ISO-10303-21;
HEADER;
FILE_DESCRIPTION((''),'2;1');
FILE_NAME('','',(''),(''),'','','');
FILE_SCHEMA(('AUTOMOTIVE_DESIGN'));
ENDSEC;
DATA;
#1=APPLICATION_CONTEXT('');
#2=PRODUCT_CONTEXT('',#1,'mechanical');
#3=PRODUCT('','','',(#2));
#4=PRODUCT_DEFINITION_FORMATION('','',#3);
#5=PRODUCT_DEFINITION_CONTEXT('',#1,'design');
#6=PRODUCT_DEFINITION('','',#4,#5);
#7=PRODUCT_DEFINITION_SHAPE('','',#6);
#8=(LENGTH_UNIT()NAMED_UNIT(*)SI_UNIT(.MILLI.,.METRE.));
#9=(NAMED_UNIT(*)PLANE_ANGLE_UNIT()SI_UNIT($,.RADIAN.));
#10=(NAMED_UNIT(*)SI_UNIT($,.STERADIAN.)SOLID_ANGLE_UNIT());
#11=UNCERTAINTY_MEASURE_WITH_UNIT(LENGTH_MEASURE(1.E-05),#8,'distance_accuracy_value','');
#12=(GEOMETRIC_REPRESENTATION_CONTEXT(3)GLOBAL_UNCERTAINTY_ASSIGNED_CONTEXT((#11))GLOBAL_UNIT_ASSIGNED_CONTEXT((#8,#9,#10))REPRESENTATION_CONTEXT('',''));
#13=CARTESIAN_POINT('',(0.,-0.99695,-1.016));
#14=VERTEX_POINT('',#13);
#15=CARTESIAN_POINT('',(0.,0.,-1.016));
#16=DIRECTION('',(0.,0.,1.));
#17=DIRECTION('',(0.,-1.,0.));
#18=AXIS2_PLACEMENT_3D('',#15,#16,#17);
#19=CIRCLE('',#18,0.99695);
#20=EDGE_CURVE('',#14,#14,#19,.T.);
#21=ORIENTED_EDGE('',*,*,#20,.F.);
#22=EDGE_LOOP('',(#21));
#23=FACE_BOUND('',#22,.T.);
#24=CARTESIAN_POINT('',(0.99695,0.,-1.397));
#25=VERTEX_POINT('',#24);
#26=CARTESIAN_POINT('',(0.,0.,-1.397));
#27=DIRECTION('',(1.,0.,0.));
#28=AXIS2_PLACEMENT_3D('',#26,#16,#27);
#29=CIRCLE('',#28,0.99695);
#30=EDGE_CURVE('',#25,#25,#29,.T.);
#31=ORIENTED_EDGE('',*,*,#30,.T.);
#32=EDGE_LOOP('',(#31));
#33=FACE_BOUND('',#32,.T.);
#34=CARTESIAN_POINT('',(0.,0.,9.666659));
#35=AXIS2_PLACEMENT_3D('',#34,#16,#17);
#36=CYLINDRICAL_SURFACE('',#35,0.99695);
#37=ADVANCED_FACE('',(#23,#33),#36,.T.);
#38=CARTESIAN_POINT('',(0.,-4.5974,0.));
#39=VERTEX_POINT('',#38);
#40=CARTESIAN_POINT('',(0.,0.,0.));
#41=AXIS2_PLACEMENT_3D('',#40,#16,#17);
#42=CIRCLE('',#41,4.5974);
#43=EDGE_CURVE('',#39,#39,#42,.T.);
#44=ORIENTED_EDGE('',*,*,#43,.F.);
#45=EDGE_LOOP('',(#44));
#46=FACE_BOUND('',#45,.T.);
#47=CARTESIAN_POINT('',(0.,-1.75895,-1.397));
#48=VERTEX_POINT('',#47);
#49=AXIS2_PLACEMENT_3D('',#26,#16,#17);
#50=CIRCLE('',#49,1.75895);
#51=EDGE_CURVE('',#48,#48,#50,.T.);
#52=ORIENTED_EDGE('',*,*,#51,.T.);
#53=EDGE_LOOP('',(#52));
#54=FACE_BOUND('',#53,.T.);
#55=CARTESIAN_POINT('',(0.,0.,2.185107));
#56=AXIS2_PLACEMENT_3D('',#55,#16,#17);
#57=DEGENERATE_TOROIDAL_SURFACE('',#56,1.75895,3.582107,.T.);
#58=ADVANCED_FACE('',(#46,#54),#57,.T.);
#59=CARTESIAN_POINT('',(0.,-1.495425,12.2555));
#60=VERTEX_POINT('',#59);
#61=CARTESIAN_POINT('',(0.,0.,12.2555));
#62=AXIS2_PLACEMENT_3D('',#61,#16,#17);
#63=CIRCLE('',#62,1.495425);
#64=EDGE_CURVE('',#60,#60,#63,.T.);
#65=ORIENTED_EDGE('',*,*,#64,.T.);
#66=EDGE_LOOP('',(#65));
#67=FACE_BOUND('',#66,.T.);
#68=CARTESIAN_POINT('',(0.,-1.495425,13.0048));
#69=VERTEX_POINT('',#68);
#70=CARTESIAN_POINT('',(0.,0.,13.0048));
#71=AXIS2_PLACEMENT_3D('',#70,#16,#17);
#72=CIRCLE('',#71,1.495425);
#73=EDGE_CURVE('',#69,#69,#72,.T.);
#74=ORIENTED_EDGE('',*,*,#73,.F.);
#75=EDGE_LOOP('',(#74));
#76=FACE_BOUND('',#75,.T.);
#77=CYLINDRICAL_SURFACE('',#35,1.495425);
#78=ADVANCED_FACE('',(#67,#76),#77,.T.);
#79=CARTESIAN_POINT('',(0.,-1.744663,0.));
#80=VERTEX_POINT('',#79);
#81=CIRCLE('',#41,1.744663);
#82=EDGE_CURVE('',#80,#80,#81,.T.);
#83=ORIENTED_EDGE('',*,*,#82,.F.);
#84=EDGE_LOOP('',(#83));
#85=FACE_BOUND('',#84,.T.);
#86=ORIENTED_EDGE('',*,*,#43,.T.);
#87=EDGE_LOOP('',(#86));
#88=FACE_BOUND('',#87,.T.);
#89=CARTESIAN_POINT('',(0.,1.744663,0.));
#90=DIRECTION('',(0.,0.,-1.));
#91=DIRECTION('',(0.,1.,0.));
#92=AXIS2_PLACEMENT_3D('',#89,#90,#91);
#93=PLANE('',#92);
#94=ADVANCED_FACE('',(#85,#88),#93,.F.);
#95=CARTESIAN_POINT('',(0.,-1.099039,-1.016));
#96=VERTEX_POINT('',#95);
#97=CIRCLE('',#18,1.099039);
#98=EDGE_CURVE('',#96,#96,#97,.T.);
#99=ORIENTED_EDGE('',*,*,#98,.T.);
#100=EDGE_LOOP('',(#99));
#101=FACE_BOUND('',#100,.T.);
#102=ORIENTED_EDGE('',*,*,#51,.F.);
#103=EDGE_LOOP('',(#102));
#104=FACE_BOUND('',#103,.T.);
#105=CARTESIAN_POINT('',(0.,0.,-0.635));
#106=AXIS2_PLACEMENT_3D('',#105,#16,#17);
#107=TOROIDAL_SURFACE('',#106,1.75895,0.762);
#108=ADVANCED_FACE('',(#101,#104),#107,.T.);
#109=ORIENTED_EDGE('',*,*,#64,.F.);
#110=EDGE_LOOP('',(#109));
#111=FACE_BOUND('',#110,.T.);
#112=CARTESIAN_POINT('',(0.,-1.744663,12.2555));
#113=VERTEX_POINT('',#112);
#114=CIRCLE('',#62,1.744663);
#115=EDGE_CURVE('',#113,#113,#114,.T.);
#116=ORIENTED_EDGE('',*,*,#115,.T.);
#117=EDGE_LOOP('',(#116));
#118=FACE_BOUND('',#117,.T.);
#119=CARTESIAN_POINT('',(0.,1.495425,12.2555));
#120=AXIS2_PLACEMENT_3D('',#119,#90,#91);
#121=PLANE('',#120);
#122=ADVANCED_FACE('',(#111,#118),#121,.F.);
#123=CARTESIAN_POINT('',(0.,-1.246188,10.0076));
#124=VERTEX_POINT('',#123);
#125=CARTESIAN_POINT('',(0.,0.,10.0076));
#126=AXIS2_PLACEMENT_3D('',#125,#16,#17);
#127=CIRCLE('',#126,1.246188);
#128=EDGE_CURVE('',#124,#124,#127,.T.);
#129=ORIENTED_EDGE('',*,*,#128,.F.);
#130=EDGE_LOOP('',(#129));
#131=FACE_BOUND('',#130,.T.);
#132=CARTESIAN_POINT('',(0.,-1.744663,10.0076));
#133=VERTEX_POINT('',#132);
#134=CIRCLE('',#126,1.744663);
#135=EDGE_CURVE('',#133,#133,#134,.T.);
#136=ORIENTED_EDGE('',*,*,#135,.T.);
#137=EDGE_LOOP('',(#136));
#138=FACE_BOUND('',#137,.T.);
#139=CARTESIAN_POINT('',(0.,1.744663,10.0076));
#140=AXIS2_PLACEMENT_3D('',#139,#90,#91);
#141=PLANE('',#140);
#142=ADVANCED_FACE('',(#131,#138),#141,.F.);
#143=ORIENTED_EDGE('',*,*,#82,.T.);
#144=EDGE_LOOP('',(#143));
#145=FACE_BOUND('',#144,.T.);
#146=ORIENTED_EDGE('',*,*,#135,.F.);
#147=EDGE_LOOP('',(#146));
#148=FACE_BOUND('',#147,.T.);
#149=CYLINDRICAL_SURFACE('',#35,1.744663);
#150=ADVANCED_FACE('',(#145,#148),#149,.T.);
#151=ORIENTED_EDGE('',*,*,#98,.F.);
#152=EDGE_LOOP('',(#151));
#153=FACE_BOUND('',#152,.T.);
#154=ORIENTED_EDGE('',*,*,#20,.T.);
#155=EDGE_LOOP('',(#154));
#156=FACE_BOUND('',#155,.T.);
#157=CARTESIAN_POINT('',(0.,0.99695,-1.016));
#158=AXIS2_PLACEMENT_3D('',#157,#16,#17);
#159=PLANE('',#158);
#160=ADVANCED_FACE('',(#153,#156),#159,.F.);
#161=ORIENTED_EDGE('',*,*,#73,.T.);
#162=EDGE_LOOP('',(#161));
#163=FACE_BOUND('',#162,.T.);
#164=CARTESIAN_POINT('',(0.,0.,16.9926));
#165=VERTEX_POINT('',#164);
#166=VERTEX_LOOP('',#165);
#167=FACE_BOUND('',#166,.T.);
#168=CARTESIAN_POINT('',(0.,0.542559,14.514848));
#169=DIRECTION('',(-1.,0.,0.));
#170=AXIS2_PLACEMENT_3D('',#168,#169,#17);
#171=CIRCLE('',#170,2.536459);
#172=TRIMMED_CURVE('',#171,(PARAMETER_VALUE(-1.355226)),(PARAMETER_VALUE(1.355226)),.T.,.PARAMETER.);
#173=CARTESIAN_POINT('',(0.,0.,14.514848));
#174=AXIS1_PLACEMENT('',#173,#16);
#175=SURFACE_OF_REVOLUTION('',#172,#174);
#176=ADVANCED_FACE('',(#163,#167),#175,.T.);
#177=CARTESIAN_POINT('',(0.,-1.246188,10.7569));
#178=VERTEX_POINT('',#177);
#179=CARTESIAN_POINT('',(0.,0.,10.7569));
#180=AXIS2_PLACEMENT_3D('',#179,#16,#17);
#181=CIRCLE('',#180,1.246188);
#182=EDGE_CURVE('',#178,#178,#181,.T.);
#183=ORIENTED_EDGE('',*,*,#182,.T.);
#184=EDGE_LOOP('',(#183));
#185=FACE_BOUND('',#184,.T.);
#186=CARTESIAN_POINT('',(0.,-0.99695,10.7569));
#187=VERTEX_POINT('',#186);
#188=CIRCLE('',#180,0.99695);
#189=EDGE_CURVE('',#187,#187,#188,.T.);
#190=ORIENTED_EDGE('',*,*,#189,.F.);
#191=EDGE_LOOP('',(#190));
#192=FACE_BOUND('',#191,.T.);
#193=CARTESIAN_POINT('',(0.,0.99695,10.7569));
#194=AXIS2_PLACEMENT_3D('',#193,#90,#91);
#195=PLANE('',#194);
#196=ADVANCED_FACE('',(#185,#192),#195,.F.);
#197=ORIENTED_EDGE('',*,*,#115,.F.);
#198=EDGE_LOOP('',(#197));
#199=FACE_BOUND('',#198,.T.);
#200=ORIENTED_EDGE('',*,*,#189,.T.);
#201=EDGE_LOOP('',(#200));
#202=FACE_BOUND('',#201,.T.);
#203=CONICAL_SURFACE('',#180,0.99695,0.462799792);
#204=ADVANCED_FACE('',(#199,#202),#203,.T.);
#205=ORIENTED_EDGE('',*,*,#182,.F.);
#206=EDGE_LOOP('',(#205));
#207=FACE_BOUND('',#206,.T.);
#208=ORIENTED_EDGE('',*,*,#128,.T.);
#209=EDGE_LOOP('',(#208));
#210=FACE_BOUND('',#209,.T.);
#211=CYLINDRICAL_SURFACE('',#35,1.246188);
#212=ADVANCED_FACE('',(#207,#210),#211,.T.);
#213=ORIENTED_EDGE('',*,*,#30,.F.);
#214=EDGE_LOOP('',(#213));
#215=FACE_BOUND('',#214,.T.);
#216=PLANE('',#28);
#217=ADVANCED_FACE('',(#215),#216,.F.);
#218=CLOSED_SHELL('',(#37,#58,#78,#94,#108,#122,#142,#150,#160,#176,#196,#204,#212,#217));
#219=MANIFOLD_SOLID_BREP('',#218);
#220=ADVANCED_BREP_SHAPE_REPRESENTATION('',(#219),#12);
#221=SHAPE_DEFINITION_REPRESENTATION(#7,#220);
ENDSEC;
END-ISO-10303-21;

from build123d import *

# Parameters (mm, degrees)
SKETCH3_R          = 10.452405385
CUT_EXTRUDE1_DEPTH = 20.505116436


with BuildPart() as part:
    # Sketch2 → Revolve1 (revolve)
    with BuildSketch(Plane(origin=(0, 0, 0), x_dir=(0, 0, -1), z_dir=(1, 0, 0)), mode=Mode.PRIVATE) as revolve1_sk:
        with BuildLine():
            Line((-10.0076, 1.7446625), (-10.0076, 1.2461875))
            Line((-10.0076, 1.2461875), (-10.7569, 1.2461875))
            Line((-10.7569, 1.2461875), (-10.7569, 0.99695))
            Line((-10.7569, 0.99695), (-12.2555, 1.7446625))
            Line((-12.2555, 1.7446625), (-12.2555, 1.495425))
            Line((-12.2555, 1.495425), (-13.0048, 1.495425))
            ThreePointArc((-13.0048, 1.495425), (-15.4054584, 1.832401568), (-16.9926, 0))
            Line((-16.9926, 0), (-9.666659115, 0))
            Line((-9.666659115, 0), (18.3896, 0))
            Line((18.3896, 0), (17.891125, 0.99695))
            Line((17.891125, 0.99695), (1.397, 0.99695))
            Line((1.397, 0.99695), (1.016, 0.99695))
            Line((1.016, 0.99695), (1.016, 1.099038642))
            ThreePointArc((1.016, 1.099038642), (1.294911358, 1.37795), (1.397, 1.75895))
            ThreePointArc((1.397, 1.75895), (1.028829656, 3.340753354), (0, 4.5974))
            Line((0, 4.5974), (0, 1.7446625))
            Line((0, 1.7446625), (-10.0076, 1.7446625))
        make_face()
    revolve(revolve1_sk.sketch.rotate(Axis((0, 0, 9.666659115), (0, 0, -1)), 180), axis=Axis((0, 0, 9.666659115), (0, 0, -1)))

    # Sketch3 → Cut-Extrude1 (cut, through all)
    with BuildSketch(Plane.XY.offset(-1.397)):
        Circle(SKETCH3_R)
    extrude(amount=-CUT_EXTRUDE1_DEPTH, mode=Mode.SUBTRACT)


solid = part.part
